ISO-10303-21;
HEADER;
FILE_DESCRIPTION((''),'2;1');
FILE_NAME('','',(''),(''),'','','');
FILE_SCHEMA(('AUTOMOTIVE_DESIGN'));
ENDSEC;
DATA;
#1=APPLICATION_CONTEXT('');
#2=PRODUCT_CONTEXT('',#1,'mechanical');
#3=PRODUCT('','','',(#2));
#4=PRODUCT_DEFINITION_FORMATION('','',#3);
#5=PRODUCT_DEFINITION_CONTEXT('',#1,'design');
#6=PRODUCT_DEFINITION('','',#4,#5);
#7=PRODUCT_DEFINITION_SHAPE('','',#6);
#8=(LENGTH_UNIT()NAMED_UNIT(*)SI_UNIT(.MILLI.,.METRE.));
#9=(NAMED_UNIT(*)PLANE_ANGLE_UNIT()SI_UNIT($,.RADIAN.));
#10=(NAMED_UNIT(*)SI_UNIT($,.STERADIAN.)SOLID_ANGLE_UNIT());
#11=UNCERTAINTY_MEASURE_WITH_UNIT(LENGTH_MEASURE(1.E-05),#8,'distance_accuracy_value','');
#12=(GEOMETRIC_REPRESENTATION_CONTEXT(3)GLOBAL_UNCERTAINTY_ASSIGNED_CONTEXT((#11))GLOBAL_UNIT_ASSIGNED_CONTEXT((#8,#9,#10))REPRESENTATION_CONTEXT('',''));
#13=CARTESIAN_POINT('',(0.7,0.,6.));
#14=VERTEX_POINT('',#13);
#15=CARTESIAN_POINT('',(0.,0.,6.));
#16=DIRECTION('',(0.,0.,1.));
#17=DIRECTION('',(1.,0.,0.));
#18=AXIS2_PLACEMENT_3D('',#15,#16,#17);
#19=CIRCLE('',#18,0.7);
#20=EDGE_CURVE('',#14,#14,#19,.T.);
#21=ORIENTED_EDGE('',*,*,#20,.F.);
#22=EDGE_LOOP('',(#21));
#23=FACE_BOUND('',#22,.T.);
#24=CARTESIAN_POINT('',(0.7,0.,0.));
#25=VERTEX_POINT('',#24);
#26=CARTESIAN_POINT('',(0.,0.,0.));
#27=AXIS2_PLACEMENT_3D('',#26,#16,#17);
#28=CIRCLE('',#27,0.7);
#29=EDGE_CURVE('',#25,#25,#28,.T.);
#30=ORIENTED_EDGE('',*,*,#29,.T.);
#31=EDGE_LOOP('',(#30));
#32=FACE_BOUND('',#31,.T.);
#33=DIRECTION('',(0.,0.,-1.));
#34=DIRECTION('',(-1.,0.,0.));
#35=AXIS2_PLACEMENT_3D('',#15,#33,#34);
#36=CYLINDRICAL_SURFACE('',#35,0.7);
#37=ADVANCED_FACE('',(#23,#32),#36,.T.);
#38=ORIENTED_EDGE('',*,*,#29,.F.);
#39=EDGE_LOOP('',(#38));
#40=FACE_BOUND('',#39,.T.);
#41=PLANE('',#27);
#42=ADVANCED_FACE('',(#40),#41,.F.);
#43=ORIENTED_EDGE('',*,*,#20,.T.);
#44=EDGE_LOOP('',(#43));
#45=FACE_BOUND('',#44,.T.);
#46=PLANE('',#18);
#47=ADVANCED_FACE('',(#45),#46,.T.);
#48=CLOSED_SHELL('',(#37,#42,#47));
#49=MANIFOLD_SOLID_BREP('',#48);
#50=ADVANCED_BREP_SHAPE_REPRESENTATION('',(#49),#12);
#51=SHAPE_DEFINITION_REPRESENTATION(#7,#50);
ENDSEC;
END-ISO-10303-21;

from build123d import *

# Parameters (mm, degrees)
SKETCH_1_R      = 0.7
EXTRUDE_1_DEPTH = 6


with BuildPart() as part:
    # 草图1 → 凸台-拉伸1 (new body)
    with BuildSketch(Plane.XY):
        Circle(SKETCH_1_R)
    extrude(amount=EXTRUDE_1_DEPTH)


solid = part.part
